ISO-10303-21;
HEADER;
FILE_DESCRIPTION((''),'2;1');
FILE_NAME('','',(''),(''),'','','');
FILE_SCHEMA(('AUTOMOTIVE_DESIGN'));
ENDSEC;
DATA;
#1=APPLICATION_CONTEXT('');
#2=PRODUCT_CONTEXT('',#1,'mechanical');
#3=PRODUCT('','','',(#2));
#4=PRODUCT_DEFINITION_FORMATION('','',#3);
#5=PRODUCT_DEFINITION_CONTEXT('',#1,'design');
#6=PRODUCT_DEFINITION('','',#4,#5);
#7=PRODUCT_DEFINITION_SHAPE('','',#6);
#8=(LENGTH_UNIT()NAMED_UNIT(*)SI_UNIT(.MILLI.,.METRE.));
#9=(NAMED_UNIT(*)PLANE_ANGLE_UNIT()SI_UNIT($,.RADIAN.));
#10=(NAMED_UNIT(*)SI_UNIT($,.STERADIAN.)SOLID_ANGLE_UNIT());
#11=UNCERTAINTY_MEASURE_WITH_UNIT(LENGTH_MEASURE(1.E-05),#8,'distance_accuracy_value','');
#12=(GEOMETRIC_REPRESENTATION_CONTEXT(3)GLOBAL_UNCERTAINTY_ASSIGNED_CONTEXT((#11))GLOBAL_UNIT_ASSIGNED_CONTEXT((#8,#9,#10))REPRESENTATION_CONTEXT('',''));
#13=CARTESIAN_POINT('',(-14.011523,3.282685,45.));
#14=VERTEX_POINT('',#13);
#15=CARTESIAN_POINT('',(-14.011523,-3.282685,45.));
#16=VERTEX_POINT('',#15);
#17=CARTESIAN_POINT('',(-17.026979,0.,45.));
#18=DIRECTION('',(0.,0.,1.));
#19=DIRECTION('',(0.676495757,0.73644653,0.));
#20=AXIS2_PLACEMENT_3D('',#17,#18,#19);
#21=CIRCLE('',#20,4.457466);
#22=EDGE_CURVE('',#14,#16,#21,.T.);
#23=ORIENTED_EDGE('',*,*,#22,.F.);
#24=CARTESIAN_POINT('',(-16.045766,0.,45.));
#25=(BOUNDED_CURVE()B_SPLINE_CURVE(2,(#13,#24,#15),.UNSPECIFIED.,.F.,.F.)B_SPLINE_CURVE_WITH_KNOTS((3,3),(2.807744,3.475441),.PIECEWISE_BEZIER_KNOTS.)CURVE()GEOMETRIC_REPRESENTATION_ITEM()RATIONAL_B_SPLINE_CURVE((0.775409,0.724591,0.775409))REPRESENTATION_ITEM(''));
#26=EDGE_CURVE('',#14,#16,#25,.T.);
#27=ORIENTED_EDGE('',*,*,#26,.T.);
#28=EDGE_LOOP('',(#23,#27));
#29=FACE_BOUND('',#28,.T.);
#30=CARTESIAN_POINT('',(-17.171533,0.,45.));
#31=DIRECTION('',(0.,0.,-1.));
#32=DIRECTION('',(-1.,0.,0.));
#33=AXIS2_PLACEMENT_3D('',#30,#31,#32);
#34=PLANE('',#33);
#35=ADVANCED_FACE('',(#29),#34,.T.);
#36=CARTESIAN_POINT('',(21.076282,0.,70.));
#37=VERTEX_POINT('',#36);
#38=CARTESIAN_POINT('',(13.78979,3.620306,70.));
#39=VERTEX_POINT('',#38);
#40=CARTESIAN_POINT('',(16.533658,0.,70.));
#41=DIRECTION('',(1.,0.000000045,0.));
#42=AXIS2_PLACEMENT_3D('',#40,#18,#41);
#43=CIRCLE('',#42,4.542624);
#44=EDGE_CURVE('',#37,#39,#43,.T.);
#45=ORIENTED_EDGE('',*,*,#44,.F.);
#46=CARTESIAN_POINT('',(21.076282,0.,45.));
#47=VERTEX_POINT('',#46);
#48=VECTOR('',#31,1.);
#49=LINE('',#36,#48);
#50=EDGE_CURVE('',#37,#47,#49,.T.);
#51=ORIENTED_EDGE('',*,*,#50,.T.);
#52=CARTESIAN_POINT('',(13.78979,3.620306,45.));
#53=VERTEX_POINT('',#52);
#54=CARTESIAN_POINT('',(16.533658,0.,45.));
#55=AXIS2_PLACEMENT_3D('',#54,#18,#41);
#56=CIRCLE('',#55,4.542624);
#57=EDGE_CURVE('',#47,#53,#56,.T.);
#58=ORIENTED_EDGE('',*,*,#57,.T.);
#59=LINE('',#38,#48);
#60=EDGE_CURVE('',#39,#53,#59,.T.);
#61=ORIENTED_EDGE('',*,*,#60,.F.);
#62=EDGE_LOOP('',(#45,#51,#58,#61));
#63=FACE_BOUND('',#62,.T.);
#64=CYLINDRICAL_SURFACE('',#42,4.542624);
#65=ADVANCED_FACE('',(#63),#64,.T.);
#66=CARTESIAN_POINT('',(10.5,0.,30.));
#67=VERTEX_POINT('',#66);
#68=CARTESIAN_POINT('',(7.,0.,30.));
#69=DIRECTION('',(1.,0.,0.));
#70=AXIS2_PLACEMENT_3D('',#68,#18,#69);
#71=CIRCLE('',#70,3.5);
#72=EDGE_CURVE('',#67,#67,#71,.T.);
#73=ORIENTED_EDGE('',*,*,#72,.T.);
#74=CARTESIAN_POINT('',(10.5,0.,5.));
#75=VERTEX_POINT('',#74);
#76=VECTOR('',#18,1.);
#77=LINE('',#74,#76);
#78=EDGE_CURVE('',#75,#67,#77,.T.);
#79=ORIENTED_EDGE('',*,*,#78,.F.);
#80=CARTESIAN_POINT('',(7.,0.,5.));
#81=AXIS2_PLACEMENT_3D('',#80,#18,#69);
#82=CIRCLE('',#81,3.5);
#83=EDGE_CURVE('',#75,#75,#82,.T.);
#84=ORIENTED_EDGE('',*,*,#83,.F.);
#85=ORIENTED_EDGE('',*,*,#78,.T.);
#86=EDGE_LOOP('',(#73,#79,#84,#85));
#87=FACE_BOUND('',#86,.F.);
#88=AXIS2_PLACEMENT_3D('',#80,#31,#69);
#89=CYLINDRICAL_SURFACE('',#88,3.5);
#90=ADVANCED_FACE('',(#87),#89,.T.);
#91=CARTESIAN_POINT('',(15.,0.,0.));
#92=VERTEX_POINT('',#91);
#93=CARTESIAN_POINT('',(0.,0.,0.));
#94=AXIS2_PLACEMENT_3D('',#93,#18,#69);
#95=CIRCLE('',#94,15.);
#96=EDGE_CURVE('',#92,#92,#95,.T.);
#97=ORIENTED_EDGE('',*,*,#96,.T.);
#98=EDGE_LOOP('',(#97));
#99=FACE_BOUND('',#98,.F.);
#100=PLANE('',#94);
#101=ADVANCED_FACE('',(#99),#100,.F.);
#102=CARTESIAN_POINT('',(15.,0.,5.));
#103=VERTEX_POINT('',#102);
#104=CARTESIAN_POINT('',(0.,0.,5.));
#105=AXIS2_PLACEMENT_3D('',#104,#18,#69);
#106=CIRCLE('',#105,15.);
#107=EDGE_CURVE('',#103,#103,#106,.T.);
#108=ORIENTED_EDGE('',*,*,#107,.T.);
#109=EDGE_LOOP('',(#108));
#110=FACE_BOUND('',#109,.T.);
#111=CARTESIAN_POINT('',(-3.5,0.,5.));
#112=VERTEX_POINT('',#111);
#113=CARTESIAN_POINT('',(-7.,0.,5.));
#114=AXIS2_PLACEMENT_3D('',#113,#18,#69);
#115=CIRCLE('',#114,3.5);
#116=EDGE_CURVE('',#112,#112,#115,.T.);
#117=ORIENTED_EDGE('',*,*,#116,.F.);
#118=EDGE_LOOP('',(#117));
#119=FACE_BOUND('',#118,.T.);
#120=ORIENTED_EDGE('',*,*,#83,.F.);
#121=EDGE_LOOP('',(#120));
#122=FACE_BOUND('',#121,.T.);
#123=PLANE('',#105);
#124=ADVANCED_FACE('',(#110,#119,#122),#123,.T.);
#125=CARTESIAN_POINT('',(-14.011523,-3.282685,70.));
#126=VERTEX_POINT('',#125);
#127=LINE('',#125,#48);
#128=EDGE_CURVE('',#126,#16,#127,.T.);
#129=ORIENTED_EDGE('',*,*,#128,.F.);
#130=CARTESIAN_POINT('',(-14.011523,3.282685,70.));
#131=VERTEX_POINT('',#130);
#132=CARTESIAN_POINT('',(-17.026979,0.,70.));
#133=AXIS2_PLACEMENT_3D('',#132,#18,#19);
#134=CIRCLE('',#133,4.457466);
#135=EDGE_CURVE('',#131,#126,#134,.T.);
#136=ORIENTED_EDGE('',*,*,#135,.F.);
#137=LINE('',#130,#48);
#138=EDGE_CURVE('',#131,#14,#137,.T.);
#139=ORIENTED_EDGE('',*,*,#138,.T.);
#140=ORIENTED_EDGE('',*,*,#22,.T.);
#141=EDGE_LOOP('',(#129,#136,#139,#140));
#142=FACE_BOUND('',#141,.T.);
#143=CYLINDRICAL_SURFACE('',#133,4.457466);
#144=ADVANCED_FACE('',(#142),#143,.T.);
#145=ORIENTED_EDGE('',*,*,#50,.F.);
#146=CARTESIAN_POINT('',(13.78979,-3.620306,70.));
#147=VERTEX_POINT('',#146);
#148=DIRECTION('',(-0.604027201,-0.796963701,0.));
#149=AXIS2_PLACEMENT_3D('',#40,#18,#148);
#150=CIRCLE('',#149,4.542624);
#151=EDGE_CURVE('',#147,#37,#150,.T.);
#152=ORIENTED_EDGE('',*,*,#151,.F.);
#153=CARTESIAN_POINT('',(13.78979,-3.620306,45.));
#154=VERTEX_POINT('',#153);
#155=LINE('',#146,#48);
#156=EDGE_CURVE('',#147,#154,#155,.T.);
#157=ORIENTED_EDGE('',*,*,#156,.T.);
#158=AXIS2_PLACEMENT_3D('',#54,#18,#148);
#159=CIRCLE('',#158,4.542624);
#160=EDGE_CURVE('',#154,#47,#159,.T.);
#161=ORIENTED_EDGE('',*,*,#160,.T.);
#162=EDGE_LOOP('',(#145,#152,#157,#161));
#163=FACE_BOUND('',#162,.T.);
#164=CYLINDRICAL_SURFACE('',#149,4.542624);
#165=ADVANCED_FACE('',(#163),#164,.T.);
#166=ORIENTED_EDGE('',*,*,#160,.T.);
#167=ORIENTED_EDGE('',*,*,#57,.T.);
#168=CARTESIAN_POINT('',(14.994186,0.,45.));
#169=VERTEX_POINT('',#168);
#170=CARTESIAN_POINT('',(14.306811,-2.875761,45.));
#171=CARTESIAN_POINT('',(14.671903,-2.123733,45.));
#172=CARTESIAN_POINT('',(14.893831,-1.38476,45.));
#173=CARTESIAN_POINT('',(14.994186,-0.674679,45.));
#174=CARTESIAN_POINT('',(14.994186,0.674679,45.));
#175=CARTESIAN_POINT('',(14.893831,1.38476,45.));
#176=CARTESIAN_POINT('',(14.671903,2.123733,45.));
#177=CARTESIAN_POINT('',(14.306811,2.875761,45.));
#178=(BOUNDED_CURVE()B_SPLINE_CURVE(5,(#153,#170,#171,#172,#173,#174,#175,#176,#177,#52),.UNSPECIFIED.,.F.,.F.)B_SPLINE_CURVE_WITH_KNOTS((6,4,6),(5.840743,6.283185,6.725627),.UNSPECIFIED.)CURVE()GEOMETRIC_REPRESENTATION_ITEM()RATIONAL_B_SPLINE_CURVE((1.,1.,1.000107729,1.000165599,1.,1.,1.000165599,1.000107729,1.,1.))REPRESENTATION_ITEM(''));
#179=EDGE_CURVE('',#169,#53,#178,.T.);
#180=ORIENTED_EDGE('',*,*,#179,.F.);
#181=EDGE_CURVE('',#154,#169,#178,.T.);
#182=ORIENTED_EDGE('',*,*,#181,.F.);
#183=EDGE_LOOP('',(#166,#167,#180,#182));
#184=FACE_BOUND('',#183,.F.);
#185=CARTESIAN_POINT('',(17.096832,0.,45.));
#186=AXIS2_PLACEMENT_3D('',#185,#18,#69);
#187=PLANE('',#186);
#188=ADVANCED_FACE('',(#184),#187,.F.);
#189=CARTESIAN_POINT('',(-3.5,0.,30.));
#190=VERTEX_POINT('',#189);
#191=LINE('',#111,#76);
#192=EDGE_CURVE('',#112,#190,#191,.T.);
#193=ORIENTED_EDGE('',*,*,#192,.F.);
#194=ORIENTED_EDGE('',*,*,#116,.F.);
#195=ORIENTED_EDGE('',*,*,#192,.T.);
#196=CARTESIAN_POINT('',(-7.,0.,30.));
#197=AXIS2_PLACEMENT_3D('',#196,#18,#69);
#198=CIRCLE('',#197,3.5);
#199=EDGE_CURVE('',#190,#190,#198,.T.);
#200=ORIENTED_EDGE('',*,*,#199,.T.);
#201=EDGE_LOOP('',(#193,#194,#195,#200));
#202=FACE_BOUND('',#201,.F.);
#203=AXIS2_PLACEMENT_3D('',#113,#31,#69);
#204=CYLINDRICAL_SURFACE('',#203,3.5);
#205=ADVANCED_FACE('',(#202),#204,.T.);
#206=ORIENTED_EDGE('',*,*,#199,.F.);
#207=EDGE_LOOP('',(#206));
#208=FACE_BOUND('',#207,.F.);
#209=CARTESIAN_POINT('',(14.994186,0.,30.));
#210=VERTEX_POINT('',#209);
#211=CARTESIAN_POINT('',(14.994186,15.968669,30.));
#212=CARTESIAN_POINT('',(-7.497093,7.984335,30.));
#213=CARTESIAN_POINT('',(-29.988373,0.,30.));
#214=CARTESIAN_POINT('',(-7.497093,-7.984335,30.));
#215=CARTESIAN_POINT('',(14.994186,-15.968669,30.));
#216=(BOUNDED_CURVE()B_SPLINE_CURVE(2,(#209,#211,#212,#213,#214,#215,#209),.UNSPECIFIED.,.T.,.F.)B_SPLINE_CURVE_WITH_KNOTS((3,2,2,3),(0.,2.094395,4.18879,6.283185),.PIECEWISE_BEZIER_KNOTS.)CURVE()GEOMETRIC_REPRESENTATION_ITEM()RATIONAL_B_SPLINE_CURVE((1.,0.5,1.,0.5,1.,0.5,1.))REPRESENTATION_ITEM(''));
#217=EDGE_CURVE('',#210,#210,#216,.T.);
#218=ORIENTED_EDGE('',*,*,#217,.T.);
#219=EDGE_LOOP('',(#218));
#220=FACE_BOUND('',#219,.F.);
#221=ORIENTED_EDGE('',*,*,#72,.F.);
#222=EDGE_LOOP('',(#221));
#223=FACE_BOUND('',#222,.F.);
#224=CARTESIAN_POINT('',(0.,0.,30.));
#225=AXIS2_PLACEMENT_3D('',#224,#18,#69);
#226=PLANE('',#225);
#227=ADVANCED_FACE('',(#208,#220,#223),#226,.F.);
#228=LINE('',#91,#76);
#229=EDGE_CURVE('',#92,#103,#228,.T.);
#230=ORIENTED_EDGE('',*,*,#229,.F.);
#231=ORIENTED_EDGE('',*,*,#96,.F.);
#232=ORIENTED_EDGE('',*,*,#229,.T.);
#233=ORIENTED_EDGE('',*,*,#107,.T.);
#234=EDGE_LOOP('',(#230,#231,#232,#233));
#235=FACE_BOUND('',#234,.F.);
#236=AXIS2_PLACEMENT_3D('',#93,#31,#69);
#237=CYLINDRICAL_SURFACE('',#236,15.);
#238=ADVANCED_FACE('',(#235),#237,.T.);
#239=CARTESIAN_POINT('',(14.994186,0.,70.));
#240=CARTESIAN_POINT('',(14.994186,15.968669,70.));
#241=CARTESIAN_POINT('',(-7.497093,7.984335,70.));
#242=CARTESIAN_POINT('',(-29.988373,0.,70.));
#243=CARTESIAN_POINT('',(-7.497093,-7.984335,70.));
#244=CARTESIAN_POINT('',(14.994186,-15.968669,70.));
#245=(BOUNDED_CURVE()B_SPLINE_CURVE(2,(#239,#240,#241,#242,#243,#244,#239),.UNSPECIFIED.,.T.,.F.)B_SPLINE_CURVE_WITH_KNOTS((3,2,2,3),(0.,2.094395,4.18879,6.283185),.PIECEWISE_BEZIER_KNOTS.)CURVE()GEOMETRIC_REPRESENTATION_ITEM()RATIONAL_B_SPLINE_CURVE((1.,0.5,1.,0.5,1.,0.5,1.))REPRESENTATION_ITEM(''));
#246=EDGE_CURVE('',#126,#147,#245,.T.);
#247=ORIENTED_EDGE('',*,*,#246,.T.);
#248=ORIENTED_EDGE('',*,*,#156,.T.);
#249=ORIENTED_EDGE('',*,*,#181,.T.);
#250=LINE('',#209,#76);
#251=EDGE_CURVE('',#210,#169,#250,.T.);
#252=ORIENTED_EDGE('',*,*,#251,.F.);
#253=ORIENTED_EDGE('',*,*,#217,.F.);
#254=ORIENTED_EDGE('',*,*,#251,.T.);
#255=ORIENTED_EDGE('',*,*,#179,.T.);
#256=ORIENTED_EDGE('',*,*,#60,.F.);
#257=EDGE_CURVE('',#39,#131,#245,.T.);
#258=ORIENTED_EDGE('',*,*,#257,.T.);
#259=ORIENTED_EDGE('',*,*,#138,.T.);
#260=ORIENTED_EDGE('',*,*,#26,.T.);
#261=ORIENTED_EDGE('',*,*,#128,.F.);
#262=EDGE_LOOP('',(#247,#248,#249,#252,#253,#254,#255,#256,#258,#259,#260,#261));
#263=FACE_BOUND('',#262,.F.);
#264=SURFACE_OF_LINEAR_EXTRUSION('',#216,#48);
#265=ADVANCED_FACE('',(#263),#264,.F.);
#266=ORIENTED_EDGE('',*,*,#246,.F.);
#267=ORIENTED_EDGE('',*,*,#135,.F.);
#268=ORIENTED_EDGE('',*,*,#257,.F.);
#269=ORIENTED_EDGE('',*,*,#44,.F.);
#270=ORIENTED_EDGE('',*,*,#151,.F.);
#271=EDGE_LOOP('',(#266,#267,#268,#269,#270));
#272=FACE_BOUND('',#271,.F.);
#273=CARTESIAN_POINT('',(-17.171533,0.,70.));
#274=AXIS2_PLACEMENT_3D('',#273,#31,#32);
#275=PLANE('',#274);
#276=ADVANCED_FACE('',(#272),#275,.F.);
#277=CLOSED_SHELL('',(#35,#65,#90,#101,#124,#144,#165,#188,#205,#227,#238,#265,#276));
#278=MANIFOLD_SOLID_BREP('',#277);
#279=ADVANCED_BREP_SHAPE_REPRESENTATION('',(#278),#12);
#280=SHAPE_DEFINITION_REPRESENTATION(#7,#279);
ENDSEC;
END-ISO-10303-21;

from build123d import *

# Parameters (mm, degrees)
F0_R     = 15
F1_DEPTH = 5
F2_R     = 3.5
F3_DEPTH = 25
F5_DEPTH = 40
F7_DEPTH = 25


with BuildPart() as f1:
    # F0 (on Top) → F1 (new body)
    with BuildSketch(Plane.XY):
        Circle(F0_R)
    extrude(amount=F1_DEPTH)

    # F2 (on face) → F3 (join)
    with BuildSketch(Plane.XY.offset(5)):
        with Locations((7, 0)):
            Circle(F2_R)
        with Locations((-7, 0)):
            Circle(F2_R)
    extrude(amount=F3_DEPTH)

    # F4 (on face) → F5 (join)
    with BuildSketch(Plane.XY.offset(30)):
        with BuildLine():
            add(Edge.make_bspline(
                [(14.994186, 0), (14.994186, 15.968669), (-7.497093, 7.984335), (-29.988373, 0), (-7.497093, -7.984335), (14.994186, -15.968669), (14.994186, 0)],
                knots=[0, 0, 0, 2.094395, 2.094395, 4.18879, 4.18879, 6.283185, 6.283185, 6.283185], degree=2, weights=[1, 0.5, 1, 0.5, 1, 0.5, 1]))
        make_face()
    extrude(amount=F5_DEPTH)

    # F6 (on face) → F7 (join)
    with BuildSketch(Plane.XY.offset(70)):
        with BuildLine():
            add(Edge.make_bspline(
                [(-14.011523, 3.282685), (-16.045766, 0), (-14.011523, -3.282685)],
                knots=[2.807744, 2.807744, 2.807744, 3.475441, 3.475441, 3.475441], degree=2, weights=[0.775409, 0.724591, 0.775409]))
            ThreePointArc((-14.011523, 3.282685), (-21.484445, 0), (-14.011523, -3.282685))
        make_face()
        with BuildLine():
            ThreePointArc((13.78979, -3.620306), (18.554929, -4.068156), (21.076282, 0))
            ThreePointArc((21.076282, 0), (18.554929, 4.068156), (13.78979, 3.620306))
            add(Edge.make_bspline(
                [(14.994186, 0), (14.994186, 1.885895), (13.78979, 3.620306)],
                knots=[0, 0, 0, 0.442442, 0.442442, 0.442442], degree=2, weights=[1, 0.894375, 0.833376]))
            add(Edge.make_bspline(
                [(13.78979, -3.620306), (14.994186, -1.885895), (14.994186, 0)],
                knots=[5.840743, 5.840743, 5.840743, 6.283185, 6.283185, 6.283185], degree=2, weights=[0.833376, 0.894375, 1]))
        make_face()
    extrude(amount=-F7_DEPTH)


solid = f1.part
